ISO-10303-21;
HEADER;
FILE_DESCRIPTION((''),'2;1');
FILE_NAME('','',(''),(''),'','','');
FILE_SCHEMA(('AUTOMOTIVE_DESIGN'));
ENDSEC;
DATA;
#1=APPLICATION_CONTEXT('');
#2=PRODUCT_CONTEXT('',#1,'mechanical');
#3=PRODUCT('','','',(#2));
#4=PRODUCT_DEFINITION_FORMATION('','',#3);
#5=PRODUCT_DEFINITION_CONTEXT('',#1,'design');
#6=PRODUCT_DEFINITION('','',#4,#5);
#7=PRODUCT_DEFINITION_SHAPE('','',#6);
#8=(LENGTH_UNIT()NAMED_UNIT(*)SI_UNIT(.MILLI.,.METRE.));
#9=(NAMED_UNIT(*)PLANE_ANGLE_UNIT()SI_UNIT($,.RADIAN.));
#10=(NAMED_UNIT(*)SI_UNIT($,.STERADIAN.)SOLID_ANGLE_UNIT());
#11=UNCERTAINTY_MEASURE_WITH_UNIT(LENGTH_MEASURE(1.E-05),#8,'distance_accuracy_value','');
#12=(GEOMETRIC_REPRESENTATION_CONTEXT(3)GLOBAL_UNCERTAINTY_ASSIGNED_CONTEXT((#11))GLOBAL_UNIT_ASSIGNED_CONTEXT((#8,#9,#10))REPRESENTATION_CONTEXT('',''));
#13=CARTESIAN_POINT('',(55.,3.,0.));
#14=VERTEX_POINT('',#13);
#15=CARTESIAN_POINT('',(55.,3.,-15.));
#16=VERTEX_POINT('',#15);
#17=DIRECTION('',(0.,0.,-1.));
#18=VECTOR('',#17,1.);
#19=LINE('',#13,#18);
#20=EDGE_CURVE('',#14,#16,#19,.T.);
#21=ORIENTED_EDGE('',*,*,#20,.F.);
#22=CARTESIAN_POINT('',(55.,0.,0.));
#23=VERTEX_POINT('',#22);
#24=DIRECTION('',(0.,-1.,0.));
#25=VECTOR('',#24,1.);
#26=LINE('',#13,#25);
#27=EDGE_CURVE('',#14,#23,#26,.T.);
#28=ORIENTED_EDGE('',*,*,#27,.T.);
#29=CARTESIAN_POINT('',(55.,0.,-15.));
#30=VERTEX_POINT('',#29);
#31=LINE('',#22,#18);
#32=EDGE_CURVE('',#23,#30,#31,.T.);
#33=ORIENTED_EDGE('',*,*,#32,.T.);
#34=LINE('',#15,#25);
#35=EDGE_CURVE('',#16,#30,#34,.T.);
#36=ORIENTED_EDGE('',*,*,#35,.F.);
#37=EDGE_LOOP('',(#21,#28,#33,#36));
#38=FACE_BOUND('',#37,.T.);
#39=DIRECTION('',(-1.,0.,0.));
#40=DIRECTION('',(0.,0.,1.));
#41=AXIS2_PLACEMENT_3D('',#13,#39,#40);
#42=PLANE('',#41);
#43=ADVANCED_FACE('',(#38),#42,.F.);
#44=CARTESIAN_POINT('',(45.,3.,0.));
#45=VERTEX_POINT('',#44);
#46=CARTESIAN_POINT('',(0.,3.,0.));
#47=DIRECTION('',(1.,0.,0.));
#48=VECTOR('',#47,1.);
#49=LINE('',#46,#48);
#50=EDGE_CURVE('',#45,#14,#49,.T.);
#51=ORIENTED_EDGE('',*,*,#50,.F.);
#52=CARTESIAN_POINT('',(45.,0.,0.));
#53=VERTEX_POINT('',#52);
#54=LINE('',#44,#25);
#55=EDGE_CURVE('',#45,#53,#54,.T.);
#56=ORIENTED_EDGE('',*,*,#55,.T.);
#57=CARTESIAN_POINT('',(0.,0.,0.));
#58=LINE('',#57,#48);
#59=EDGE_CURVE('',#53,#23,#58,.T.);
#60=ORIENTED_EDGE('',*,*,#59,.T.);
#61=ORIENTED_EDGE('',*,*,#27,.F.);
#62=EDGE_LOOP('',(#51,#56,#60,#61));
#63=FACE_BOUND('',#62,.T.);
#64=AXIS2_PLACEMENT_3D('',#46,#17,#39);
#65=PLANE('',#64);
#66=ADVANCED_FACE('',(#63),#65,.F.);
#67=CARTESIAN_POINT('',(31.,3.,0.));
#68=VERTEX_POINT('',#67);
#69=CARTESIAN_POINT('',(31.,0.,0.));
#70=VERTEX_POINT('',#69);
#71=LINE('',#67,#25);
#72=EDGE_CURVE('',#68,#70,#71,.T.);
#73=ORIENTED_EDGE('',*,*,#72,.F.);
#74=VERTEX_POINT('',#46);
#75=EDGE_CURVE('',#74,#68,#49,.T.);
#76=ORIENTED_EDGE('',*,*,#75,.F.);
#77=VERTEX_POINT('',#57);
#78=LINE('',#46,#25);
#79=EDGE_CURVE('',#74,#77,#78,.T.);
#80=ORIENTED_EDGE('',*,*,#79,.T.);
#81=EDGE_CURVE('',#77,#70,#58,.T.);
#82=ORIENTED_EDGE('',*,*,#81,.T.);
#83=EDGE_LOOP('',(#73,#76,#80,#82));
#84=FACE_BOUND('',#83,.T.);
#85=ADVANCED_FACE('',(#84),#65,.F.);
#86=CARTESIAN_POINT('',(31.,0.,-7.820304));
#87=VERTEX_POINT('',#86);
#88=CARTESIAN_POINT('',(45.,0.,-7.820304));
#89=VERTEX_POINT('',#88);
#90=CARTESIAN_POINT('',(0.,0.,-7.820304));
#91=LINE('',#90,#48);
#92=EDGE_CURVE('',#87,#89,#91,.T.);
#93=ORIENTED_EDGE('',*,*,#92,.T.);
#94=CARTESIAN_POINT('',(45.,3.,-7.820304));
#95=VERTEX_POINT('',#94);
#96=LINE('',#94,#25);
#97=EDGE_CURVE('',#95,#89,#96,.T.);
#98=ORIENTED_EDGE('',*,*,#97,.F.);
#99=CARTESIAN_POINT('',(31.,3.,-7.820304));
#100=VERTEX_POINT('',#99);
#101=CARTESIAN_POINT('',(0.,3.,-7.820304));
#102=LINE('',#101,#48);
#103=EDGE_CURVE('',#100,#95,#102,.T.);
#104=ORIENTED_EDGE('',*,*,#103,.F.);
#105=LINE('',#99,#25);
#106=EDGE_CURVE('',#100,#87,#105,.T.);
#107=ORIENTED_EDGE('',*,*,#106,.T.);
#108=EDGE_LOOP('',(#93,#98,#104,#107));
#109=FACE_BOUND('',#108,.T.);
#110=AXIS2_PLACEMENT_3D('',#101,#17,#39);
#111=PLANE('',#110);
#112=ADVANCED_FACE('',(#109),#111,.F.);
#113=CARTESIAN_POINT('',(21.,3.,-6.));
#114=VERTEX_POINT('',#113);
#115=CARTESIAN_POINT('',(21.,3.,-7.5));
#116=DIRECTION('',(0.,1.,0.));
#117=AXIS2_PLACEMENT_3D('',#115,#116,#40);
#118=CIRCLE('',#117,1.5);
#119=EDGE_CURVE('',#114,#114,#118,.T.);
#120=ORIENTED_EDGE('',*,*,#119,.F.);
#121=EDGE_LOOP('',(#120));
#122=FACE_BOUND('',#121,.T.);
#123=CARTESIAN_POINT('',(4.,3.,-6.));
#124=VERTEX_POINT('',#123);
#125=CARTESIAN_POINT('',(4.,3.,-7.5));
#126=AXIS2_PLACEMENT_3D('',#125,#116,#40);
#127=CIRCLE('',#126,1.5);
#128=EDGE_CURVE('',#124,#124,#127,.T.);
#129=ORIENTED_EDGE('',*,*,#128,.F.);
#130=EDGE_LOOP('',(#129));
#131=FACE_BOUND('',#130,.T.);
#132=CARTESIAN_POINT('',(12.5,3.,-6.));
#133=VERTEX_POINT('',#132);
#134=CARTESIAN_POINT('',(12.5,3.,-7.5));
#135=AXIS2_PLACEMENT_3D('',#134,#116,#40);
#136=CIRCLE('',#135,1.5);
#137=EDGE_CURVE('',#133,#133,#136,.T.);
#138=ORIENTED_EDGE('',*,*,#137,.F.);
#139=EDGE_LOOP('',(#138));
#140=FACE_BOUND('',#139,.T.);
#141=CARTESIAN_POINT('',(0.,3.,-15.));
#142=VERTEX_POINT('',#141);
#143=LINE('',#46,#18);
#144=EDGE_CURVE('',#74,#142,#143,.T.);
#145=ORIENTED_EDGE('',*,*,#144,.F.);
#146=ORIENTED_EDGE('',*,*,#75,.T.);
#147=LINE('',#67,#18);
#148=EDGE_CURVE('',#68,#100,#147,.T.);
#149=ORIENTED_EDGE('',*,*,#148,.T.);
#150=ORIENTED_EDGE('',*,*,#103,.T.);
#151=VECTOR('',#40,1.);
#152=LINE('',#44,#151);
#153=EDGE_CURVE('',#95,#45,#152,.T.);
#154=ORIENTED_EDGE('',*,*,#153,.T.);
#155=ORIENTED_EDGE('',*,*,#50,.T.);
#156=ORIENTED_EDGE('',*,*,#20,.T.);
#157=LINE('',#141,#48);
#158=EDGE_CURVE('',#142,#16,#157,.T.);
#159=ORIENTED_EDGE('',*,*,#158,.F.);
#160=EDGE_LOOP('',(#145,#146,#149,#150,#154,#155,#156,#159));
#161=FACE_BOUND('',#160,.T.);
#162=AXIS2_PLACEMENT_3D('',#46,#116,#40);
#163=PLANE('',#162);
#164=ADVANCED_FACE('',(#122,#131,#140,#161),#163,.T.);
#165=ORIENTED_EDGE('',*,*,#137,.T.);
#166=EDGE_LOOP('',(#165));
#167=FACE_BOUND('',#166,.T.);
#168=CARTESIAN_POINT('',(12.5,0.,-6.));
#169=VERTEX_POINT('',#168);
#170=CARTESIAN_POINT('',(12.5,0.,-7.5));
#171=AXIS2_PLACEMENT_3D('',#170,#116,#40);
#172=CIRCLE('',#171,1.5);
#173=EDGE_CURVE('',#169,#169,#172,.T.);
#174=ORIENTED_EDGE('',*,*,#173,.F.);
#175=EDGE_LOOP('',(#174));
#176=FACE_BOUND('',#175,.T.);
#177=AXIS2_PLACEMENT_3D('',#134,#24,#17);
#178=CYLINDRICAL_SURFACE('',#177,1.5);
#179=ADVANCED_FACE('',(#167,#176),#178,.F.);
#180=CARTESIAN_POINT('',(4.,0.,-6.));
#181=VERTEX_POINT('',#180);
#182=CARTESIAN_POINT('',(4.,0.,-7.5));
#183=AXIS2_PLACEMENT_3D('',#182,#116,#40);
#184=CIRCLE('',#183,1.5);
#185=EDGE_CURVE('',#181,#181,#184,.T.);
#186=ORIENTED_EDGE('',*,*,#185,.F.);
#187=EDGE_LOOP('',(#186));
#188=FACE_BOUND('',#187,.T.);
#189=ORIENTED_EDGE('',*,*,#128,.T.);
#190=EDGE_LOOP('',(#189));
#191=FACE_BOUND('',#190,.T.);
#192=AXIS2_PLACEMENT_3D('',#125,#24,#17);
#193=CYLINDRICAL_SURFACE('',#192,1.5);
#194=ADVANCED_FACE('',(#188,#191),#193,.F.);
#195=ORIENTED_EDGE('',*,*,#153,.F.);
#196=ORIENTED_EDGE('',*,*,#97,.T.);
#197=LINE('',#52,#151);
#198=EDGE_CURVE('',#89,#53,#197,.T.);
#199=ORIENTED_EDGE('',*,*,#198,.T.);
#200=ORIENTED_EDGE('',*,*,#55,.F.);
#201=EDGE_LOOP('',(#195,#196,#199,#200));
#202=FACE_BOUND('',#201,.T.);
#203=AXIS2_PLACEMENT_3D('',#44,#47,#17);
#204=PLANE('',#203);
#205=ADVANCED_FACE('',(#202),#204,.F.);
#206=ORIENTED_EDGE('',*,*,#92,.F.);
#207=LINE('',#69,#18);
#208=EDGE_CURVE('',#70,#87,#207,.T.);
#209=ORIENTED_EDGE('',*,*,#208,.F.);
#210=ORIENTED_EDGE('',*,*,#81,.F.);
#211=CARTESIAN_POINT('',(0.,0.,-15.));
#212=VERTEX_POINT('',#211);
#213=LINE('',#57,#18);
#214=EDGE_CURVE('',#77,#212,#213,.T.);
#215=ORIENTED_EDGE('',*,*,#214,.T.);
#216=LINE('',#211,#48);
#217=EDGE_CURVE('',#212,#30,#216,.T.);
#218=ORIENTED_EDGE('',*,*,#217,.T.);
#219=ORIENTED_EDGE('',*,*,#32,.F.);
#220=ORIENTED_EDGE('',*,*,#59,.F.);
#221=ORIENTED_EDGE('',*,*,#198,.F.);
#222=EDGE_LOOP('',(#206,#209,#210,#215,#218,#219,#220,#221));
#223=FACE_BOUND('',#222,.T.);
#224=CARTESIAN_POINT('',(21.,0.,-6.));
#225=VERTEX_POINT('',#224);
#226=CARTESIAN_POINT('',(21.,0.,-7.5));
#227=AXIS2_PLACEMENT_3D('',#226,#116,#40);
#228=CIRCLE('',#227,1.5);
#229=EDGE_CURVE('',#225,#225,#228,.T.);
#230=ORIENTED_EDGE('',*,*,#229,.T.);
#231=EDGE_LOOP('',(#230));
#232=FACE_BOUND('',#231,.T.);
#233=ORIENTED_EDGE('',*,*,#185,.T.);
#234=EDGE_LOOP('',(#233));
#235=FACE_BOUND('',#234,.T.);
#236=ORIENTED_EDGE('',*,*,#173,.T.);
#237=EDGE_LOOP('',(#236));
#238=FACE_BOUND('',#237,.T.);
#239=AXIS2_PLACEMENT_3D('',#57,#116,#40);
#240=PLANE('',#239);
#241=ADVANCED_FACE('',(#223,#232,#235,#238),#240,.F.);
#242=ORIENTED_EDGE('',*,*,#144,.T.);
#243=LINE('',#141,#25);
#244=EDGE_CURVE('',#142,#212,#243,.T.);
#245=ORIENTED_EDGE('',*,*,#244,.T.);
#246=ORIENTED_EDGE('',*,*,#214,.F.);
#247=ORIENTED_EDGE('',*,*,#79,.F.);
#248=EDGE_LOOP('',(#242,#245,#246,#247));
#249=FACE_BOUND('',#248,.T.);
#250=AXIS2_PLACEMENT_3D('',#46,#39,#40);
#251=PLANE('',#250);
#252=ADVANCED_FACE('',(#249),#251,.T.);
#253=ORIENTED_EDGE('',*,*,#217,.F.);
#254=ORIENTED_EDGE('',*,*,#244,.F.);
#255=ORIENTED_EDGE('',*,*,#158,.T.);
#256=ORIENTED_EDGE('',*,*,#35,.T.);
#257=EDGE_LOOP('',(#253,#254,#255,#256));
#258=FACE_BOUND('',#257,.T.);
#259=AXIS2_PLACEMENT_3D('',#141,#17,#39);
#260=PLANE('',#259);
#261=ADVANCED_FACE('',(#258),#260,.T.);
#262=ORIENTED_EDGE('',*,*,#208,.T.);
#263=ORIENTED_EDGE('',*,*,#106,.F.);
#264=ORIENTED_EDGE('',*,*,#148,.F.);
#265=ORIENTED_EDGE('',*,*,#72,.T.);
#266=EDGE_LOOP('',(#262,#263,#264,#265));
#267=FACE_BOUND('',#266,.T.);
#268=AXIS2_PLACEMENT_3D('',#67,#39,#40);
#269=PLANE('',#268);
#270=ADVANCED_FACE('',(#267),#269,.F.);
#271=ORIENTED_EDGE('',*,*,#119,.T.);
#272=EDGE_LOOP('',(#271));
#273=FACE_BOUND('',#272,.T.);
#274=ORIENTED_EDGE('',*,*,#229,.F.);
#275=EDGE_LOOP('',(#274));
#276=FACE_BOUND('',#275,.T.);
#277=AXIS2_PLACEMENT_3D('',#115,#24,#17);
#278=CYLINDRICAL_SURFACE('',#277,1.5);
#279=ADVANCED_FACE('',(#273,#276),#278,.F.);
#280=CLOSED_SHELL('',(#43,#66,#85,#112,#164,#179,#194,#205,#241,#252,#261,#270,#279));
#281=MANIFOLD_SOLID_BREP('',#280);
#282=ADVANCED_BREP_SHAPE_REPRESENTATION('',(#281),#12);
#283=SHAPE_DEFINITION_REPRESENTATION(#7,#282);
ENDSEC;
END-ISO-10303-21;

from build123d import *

# Parameters (mm, degrees)
ESQUISSE1_R        = 1.5
BOSS_EXTRU_2_DEPTH = 3


with BuildPart() as part:
    # Esquisse1 → Boss.-Extru.2 (new body)
    with BuildSketch(Plane(origin=(0, 0, 0), x_dir=(1, 0, 0), z_dir=(0, 1, 0))):
        Polygon((0, 0), (31, 0), (31, 7.820303555), (45, 7.820303555), (45, 0), (55, 0), (55, 15), (0, 15), align=None)
        with Locations((4, 7.5)):
            Circle(ESQUISSE1_R, mode=Mode.SUBTRACT)
        with Locations((12.5, 7.5)):
            Circle(ESQUISSE1_R, mode=Mode.SUBTRACT)
        with Locations((21, 7.5)):
            Circle(ESQUISSE1_R, mode=Mode.SUBTRACT)
    extrude(amount=BOSS_EXTRU_2_DEPTH)


solid = part.part
